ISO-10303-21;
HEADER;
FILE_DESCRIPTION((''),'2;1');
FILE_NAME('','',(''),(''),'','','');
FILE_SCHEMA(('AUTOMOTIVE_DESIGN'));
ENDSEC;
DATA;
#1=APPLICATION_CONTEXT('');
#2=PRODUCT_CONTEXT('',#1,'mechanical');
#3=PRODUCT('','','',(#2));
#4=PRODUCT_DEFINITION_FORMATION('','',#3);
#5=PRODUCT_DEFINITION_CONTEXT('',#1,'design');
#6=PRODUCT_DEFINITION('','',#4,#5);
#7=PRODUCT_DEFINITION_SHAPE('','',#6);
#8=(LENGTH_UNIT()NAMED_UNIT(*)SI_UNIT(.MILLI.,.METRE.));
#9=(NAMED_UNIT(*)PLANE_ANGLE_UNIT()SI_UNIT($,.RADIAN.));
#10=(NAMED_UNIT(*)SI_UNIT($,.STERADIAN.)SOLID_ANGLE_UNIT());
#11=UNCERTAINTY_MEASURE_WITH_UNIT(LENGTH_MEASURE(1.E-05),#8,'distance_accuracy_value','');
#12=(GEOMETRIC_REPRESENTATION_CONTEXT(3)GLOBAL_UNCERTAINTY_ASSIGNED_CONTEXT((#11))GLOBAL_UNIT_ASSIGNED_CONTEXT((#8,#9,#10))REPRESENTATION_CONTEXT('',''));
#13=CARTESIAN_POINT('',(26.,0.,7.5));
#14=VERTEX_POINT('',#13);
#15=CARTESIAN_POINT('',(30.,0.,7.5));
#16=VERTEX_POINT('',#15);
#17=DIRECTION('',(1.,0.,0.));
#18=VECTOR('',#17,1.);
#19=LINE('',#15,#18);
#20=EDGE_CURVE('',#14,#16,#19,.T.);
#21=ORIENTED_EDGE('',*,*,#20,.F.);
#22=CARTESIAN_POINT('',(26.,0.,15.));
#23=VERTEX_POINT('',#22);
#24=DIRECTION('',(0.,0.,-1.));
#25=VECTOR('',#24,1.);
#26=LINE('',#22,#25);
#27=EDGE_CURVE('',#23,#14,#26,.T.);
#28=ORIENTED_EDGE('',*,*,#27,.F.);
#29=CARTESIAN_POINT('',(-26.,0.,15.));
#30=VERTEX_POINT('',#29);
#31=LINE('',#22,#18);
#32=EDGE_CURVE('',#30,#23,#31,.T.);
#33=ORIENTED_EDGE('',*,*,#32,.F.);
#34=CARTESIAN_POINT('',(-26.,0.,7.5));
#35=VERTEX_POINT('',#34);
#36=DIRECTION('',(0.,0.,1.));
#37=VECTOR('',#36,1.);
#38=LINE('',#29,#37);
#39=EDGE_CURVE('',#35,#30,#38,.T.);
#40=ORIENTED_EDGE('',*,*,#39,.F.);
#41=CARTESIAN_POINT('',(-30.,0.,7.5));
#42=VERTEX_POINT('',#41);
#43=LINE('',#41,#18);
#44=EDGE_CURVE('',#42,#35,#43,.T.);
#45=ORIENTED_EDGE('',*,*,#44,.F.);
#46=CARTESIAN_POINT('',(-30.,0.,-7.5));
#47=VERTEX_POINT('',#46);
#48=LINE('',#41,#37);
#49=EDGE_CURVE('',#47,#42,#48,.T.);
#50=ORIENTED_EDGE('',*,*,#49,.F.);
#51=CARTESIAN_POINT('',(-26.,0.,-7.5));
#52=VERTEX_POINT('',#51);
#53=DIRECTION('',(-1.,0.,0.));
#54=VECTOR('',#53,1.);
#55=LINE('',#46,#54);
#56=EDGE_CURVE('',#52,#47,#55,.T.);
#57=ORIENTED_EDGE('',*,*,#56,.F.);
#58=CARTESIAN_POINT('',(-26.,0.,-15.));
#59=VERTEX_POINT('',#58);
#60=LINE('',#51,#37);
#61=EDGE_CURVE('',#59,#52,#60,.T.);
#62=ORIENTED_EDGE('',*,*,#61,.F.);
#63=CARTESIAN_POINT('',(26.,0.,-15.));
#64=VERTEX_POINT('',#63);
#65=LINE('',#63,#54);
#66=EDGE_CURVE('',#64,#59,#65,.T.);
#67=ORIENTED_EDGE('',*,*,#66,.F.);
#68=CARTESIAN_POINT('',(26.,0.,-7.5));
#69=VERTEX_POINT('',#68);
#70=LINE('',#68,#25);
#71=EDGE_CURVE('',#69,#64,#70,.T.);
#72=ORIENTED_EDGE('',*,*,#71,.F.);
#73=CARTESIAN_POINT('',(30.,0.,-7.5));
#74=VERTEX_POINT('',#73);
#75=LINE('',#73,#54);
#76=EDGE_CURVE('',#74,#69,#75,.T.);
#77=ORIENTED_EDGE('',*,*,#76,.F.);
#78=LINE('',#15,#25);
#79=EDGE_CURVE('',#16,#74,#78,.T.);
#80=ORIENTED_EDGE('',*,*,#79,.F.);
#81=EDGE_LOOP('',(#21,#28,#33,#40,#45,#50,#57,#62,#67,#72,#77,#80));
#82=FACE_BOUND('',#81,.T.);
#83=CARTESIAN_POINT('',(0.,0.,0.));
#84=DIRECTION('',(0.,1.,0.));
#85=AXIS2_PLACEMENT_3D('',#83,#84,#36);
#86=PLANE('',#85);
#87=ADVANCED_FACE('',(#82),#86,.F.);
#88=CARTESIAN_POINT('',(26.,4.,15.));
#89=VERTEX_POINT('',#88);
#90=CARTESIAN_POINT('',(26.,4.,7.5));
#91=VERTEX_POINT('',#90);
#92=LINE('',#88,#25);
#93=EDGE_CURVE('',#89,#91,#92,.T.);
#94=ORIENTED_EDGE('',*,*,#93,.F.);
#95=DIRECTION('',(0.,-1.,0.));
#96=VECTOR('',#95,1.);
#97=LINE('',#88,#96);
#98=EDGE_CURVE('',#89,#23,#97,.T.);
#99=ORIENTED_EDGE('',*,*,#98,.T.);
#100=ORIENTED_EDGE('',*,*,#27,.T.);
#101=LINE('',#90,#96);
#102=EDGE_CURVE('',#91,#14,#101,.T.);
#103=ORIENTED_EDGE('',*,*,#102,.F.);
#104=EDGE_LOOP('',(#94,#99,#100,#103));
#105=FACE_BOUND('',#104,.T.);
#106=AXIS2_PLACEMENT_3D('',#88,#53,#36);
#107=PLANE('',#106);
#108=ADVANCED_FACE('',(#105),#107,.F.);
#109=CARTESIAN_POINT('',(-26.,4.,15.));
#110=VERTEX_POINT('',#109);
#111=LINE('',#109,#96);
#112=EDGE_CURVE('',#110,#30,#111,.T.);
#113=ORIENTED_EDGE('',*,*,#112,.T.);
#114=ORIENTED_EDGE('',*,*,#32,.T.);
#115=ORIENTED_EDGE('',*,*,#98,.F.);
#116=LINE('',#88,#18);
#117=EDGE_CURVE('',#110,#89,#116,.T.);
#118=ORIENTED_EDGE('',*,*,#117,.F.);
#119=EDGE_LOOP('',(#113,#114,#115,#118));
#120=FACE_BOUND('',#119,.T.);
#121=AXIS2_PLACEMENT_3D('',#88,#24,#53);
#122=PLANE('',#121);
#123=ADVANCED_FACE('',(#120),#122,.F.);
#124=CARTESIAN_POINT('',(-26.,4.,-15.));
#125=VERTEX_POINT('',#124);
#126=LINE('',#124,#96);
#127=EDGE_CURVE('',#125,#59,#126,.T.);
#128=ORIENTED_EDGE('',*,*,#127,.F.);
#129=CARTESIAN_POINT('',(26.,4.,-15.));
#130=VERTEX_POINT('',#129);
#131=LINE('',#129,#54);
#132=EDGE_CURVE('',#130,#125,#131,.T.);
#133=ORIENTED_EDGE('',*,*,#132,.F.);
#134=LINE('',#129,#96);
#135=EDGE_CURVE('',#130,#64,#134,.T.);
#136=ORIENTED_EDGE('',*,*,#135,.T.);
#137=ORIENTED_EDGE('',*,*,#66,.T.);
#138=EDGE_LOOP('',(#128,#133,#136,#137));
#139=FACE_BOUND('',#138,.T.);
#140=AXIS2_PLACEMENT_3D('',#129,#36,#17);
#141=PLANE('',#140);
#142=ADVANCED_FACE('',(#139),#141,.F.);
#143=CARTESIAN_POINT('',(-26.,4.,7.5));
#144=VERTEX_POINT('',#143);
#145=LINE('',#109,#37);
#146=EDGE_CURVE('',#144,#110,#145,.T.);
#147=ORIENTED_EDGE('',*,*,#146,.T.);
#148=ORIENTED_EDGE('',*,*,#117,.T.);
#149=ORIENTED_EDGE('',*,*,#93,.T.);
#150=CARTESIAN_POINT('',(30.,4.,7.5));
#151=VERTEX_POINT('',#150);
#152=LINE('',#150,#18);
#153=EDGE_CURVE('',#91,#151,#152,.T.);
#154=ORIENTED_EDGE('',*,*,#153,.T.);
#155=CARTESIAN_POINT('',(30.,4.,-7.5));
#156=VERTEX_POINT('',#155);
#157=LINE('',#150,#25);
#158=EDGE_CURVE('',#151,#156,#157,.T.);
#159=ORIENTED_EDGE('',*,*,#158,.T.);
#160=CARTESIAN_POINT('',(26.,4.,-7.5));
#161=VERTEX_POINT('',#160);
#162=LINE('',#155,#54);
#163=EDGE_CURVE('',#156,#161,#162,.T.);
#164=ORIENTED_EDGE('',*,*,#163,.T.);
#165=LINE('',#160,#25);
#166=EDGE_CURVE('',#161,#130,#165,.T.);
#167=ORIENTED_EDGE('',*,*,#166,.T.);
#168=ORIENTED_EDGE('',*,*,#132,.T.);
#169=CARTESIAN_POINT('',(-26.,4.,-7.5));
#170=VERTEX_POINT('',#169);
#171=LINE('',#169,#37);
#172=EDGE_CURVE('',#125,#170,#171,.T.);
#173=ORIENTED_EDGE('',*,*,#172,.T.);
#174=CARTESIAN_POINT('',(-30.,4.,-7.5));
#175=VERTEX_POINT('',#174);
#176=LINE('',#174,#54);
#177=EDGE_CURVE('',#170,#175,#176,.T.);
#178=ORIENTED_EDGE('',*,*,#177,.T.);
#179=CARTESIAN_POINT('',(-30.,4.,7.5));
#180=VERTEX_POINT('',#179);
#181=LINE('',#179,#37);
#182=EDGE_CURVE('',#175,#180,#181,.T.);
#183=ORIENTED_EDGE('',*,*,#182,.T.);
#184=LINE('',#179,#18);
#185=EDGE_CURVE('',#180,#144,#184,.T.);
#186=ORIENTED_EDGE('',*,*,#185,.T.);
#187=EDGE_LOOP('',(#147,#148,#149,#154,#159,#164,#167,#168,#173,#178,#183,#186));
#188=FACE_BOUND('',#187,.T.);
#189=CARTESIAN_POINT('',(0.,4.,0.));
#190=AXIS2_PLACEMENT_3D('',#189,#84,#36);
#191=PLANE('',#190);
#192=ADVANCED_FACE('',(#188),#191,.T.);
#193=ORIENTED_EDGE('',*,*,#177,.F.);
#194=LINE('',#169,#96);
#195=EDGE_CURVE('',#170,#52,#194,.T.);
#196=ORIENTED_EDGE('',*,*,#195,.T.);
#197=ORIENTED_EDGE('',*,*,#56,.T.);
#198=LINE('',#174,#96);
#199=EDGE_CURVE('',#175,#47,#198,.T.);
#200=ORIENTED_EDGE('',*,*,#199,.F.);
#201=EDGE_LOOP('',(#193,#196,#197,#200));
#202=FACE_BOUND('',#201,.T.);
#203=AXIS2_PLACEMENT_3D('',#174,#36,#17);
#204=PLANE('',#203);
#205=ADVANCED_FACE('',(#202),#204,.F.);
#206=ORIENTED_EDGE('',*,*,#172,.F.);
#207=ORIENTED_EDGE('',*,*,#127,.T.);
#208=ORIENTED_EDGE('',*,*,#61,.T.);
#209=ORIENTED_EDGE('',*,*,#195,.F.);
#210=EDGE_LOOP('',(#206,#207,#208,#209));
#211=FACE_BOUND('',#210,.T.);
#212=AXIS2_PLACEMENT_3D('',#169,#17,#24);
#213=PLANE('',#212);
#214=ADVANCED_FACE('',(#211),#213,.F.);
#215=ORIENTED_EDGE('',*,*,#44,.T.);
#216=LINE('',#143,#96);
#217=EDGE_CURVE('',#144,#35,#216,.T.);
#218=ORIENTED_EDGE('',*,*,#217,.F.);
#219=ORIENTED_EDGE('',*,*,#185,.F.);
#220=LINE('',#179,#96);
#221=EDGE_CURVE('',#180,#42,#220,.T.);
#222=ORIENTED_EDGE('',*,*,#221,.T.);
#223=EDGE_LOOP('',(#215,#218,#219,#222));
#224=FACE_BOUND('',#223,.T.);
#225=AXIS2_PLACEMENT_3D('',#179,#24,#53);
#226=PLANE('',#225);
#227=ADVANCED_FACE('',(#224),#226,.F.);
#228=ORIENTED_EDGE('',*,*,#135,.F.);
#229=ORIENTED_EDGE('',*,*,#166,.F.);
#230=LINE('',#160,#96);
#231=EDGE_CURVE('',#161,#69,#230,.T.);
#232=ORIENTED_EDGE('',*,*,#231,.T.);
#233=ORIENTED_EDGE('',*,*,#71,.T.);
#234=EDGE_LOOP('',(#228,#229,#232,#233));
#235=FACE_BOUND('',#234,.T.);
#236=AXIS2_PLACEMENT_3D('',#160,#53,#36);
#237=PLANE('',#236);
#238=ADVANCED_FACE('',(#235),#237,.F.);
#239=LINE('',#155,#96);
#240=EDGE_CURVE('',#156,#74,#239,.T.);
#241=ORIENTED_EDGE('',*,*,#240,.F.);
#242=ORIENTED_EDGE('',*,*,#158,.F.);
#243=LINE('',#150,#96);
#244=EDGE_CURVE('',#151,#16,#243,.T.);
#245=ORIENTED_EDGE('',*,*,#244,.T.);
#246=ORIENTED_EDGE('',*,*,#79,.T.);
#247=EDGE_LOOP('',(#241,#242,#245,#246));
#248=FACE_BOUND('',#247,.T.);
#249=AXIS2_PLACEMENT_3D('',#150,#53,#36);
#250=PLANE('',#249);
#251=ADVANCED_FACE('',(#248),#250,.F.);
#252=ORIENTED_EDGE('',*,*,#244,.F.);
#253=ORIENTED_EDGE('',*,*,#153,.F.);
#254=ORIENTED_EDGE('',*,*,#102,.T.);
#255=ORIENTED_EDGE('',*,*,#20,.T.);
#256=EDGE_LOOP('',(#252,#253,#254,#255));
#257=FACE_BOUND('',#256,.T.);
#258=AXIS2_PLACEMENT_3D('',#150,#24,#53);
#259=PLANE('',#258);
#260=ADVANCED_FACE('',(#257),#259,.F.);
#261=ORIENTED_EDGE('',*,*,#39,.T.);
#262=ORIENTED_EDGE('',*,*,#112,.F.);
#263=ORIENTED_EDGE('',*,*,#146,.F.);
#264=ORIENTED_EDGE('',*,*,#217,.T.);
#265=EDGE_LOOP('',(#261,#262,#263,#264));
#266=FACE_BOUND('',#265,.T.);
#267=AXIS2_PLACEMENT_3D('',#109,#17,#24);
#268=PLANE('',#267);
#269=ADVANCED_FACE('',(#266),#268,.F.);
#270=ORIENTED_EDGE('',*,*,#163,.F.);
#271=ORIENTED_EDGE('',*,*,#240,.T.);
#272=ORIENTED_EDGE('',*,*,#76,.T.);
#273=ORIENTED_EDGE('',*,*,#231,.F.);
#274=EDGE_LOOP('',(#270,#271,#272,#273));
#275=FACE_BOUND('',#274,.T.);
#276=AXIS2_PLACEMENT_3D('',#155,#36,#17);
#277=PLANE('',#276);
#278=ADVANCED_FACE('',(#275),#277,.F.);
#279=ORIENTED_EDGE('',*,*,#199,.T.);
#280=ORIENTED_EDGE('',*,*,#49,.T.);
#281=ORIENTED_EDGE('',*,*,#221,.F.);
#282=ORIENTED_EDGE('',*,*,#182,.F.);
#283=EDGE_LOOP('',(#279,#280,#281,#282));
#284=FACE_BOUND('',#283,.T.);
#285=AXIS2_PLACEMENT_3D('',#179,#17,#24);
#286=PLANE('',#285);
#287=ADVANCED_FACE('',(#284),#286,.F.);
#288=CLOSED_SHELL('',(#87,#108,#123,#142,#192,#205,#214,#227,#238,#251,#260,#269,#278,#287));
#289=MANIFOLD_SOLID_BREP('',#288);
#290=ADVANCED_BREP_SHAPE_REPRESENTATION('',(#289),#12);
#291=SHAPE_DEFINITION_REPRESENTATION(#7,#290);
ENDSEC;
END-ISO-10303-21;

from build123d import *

# Parameters (mm, degrees)
AUFSATZ_LINEAR_AUSTRAGEN1_DEPTH = 4


with BuildPart() as part:
    # Skizze1 → Aufsatz-Linear austragen1 (new body)
    with BuildSketch(Plane(origin=(0, 0, 0), x_dir=(1, 0, 0), z_dir=(0, 1, 0))):
        Polygon((26, -15), (-26, -15), (-26, -7.5), (-30, -7.5), (-30, 7.5), (-26, 7.5), (-26, 15), (26, 15), (26, 7.5), (30, 7.5), (30, -7.5), (26, -7.5), align=None)
    extrude(amount=AUFSATZ_LINEAR_AUSTRAGEN1_DEPTH)


solid = part.part
